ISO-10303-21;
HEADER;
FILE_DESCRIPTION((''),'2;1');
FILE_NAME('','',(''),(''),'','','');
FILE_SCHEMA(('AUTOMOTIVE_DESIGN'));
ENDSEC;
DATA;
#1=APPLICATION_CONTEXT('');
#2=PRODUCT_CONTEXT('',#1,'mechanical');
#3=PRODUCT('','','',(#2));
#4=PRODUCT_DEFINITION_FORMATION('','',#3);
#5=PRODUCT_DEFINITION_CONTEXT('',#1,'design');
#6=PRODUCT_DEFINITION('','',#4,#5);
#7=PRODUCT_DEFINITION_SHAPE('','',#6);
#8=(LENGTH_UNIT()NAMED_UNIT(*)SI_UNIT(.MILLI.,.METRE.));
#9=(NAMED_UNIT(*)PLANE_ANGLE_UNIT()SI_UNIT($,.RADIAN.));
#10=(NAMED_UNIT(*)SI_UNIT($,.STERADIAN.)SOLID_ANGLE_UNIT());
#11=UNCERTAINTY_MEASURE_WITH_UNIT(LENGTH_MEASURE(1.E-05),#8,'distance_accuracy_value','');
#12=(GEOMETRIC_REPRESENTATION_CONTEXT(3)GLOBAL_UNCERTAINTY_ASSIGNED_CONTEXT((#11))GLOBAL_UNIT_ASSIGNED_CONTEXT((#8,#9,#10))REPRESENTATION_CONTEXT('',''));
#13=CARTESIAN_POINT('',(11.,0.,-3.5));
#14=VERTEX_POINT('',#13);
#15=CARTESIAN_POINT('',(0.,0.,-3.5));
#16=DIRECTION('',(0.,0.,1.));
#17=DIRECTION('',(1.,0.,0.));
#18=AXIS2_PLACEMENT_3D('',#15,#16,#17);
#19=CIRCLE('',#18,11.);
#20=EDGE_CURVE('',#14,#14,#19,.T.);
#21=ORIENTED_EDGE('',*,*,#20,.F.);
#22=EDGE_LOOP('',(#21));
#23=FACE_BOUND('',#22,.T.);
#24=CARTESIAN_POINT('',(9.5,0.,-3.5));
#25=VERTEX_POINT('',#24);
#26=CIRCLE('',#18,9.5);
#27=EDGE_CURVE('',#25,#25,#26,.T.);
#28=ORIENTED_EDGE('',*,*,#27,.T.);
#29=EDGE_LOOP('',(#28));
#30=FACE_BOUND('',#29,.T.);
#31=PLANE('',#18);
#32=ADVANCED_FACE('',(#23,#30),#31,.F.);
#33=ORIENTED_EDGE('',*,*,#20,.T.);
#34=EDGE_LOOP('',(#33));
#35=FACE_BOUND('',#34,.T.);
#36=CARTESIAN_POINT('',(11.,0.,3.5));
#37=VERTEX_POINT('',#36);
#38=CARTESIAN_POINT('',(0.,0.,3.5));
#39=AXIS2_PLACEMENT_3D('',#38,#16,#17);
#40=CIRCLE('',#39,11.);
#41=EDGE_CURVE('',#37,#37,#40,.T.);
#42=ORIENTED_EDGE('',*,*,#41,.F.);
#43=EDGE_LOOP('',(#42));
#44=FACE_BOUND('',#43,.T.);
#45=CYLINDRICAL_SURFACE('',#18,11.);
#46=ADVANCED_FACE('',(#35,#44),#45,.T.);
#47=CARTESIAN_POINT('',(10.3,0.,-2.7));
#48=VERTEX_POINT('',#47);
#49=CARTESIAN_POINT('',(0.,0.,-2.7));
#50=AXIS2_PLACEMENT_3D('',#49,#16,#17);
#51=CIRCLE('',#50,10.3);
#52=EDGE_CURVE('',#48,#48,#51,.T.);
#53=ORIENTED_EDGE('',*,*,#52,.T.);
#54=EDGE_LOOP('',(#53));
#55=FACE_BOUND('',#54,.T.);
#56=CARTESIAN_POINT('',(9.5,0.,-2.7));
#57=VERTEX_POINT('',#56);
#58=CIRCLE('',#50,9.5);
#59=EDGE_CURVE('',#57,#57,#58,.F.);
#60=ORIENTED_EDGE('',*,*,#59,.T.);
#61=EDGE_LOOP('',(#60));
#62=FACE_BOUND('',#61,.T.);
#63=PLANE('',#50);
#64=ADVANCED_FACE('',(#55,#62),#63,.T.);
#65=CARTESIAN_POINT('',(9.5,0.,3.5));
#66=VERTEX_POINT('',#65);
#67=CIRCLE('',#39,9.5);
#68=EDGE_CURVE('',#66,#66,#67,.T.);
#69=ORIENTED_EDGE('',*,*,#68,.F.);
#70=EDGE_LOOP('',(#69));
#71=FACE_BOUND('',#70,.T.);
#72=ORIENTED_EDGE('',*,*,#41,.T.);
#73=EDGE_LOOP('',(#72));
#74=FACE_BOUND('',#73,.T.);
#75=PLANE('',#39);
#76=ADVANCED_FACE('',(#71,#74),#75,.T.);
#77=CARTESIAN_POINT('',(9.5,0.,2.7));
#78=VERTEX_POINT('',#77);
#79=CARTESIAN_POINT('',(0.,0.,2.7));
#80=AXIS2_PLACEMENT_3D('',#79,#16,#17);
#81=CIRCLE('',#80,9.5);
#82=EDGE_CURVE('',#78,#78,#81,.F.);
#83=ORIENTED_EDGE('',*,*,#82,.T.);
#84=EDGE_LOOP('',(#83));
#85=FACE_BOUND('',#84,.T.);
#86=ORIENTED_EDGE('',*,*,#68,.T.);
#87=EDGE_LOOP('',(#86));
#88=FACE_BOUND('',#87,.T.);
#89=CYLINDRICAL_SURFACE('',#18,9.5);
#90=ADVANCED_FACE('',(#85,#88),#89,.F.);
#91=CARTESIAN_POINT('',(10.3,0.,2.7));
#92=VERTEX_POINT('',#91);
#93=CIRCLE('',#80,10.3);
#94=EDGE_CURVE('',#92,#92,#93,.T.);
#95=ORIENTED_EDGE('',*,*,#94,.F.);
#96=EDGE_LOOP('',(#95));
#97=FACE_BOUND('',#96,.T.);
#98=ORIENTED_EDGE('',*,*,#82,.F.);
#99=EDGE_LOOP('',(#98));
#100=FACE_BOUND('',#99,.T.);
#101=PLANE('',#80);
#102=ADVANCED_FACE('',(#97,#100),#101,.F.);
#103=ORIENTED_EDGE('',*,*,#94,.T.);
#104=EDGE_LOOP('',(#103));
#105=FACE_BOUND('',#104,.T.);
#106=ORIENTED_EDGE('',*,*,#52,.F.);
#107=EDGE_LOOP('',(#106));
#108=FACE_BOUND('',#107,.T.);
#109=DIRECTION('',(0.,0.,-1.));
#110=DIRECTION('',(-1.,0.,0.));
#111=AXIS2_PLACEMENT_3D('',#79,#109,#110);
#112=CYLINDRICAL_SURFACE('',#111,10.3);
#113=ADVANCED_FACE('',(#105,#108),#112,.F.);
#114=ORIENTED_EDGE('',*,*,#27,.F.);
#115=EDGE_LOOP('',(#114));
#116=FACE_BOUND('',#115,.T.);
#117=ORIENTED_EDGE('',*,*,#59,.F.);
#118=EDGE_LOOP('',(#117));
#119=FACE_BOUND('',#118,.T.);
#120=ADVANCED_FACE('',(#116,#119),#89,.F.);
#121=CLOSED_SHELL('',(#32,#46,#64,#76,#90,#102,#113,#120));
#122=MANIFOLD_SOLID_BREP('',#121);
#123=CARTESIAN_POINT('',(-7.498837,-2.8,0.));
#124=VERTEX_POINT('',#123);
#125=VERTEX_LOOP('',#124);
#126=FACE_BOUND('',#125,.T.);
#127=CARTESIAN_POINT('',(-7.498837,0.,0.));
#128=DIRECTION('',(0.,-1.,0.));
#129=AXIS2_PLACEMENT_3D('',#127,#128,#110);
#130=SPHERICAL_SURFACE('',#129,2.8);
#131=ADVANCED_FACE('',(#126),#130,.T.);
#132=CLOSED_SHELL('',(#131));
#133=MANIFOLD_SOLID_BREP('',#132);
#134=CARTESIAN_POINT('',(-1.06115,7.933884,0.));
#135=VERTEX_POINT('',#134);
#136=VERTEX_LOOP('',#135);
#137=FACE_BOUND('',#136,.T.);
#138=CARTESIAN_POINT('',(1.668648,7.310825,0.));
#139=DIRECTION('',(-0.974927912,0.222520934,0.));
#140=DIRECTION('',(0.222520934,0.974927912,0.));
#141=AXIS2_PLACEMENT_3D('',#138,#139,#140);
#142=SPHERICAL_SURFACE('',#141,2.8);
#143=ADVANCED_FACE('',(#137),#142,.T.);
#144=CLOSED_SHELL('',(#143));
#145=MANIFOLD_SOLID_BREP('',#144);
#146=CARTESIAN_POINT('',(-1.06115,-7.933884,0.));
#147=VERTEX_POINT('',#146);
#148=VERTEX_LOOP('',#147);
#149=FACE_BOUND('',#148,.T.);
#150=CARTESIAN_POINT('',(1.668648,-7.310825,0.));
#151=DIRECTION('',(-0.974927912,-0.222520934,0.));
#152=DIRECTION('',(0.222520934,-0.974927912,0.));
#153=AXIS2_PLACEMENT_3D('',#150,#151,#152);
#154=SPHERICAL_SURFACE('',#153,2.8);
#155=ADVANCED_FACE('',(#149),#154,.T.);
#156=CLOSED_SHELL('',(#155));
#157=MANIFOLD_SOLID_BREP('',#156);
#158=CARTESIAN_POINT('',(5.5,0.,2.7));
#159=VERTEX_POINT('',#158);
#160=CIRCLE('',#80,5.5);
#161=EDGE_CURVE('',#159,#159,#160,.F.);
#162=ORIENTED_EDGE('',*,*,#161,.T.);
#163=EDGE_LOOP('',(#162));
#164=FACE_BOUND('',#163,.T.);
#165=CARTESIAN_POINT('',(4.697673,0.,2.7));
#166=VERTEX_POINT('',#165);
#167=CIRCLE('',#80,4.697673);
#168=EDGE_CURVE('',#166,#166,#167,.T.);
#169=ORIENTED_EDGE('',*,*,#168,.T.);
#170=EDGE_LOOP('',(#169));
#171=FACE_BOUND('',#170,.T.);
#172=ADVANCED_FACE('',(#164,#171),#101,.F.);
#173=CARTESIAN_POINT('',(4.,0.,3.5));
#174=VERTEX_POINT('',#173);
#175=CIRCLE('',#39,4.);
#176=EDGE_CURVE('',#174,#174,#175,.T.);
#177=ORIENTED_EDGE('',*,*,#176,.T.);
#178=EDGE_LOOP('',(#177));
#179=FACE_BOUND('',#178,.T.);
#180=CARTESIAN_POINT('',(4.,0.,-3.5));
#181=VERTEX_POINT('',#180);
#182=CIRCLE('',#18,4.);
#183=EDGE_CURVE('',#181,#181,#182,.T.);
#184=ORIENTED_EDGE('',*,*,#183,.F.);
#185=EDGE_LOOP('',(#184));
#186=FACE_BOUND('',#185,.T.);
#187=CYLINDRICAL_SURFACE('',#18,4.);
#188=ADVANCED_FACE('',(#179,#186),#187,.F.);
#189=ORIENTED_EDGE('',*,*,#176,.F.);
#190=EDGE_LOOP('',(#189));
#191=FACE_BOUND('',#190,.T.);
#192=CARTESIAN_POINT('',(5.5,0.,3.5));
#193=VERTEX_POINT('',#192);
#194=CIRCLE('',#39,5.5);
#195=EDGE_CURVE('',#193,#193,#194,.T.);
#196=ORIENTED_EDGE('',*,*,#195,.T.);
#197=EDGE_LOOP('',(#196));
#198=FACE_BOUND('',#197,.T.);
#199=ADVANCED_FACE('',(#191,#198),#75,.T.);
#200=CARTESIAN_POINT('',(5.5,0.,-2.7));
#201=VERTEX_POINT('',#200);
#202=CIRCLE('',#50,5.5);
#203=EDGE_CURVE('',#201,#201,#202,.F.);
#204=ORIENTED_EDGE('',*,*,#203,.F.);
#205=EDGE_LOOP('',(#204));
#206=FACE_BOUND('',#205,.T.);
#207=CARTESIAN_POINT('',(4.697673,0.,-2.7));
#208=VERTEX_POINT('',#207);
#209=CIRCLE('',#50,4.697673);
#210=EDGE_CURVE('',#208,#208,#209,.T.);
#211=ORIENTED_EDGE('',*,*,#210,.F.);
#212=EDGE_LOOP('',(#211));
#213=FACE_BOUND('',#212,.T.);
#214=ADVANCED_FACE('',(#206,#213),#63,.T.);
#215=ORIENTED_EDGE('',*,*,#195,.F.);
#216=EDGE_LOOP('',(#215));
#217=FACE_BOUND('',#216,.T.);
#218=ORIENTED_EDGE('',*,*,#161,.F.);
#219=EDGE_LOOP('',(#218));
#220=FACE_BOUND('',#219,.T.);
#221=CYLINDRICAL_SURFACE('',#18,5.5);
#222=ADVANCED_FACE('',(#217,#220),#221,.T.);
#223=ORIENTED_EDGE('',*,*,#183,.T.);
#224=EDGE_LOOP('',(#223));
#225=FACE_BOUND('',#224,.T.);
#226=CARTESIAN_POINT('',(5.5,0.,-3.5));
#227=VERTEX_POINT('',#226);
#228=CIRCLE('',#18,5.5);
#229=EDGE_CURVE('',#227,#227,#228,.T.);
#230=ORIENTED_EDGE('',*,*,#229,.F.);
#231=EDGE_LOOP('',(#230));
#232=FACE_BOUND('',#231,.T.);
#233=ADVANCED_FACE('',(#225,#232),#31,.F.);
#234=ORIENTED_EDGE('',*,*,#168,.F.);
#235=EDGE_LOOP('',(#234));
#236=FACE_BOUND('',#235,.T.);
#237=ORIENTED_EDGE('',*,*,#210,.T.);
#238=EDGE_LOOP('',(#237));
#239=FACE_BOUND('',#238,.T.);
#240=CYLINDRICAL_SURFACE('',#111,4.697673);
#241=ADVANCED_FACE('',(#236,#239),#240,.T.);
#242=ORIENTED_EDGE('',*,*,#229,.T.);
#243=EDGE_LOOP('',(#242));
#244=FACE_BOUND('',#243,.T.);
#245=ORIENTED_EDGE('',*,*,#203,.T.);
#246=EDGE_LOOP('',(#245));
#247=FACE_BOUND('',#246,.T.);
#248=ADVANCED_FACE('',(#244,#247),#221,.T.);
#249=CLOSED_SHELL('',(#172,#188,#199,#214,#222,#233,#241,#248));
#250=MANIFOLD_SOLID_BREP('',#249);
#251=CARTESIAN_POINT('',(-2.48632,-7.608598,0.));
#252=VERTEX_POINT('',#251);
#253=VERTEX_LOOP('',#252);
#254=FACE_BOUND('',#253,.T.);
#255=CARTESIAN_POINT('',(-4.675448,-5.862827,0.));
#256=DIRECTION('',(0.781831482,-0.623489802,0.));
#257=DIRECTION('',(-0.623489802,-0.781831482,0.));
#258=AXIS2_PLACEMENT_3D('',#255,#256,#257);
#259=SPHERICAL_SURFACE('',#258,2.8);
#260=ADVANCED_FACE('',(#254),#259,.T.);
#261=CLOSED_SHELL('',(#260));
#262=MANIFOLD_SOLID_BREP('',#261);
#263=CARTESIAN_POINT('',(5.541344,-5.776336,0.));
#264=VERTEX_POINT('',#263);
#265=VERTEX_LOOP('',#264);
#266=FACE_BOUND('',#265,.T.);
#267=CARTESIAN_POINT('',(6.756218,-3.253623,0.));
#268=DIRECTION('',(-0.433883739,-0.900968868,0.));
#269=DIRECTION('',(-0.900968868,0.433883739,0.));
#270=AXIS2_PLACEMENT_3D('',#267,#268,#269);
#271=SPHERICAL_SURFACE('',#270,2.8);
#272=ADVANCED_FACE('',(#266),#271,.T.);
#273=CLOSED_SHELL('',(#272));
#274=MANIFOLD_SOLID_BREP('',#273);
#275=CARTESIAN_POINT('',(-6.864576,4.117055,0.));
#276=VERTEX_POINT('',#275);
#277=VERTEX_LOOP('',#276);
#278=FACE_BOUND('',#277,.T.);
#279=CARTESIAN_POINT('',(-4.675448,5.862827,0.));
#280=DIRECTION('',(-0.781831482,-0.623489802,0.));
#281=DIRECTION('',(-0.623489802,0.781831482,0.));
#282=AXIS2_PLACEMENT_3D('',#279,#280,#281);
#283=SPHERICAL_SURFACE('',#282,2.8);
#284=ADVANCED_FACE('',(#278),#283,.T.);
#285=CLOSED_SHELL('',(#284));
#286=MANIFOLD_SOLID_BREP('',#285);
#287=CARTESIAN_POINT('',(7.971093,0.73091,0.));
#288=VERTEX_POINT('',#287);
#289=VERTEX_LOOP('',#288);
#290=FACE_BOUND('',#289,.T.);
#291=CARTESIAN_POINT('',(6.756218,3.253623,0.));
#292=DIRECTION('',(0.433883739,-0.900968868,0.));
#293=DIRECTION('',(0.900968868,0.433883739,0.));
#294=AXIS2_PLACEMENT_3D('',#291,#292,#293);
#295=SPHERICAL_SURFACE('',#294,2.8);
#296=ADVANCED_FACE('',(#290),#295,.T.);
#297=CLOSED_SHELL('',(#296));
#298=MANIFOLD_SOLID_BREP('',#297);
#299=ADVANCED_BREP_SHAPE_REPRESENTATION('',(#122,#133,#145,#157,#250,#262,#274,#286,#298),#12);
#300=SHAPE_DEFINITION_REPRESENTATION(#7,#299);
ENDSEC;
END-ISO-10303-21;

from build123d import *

# Parameters (mm, degrees)
BOSS_EXTRUDE1_DEPTH        = 3.5
BOSS_EXTRUDE1_DEPTH_BACK   = 3.5
SKETCH1_R                  = 5.5
SKETCH1_R_2                = 4
BOSS_EXTRUDE1_2_DEPTH      = 3.5
BOSS_EXTRUDE1_2_DEPTH_BACK = 3.5
SKETCH1_R_3                = 11
SKETCH1_R_4                = 9.5
CUT_EXTRUDE1_DEPTH         = 2.7
CUT_EXTRUDE1_DEPTH_BACK    = 2.7
SKETCH2_R                  = 10.3
SKETCH2_R_2                = 4.697673259


with BuildPart() as part:
    # Sketch1 → Boss-Extrude1 (new, two sides: drawn at the far end of the back side and taken through both)
    with BuildSketch(Plane.XY.offset(-BOSS_EXTRUDE1_DEPTH_BACK)):
        Circle(SKETCH1_R)
        Circle(SKETCH1_R_2, mode=Mode.SUBTRACT)
    extrude(amount=BOSS_EXTRUDE1_DEPTH + BOSS_EXTRUDE1_DEPTH_BACK)


with BuildPart() as body_2:
    # Sketch1 → Boss-Extrude1 2 (new, two sides: drawn at the far end of the back side and taken through both)
    with BuildSketch(Plane.XY.offset(-BOSS_EXTRUDE1_2_DEPTH_BACK)):
        Circle(SKETCH1_R_3)
        Circle(SKETCH1_R_4, mode=Mode.SUBTRACT)
    extrude(amount=BOSS_EXTRUDE1_2_DEPTH + BOSS_EXTRUDE1_2_DEPTH_BACK)


with BuildPart() as cut_extrude1_tool:
    # Sketch2 → Cut-Extrude1 (new, two sides: drawn at the far end of the back side and taken through both)
    with BuildSketch(Plane.XY.offset(-CUT_EXTRUDE1_DEPTH_BACK)):
        Circle(SKETCH2_R)
        Circle(SKETCH2_R_2, mode=Mode.SUBTRACT)
    extrude(amount=CUT_EXTRUDE1_DEPTH + CUT_EXTRUDE1_DEPTH_BACK)


with BuildPart() as part_1:
    add(part.part)

    # Cut-Extrude1: cut by cut_extrude1_tool
    add(cut_extrude1_tool.part, mode=Mode.SUBTRACT)


with BuildPart() as body_2_1:
    add(body_2.part)

    # Cut-Extrude1: cut by cut_extrude1_tool
    add(cut_extrude1_tool.part, mode=Mode.SUBTRACT)


with BuildPart() as body_3:
    # Sketch4 → Revolve2 (revolve)
    with BuildSketch(Plane.XY):
        with BuildLine():
            ThreePointArc((-7.498836629, -2.8), (-4.698836629, 0), (-7.498836629, 2.8))
            Line((-7.498836629, 2.8), (-7.498836629, -2.8))
        make_face()
    revolve(axis=Axis((-7.498836629, 0, 0), (0, 1, 0)))


with BuildPart() as body_4:
    # Sketch4<7> → Revolve3 (revolve)
    with BuildSketch(Plane.XY):
        with BuildLine():
            Line((-2.486320013, 7.608598004), (-4.675448164, 5.862826559))
            Line((-4.675448164, 5.862826559), (-6.864576315, 4.117055113))
            ThreePointArc((-6.864576315, 4.117055113), (-2.929676719, 3.673698408), (-2.486320013, 7.608598004))
        make_face()
    revolve(axis=Axis((-4.675448164, 5.862826559, 0), (0.7818314824680305, 0.6234898018587328, 0)))


with BuildPart() as body_5:
    # Sketch4<8> → Revolve4 (revolve)
    with BuildSketch(Plane.XY):
        with BuildLine():
            Line((4.398446284, 6.687766524), (1.66864813, 7.310825139))
            Line((1.66864813, 7.310825139), (-1.061150024, 7.933883754))
            ThreePointArc((-1.061150024, 7.933883754), (1.045589515, 4.581026985), (4.398446284, 6.687766524))
        make_face()
    revolve(axis=Axis((1.66864813, 7.310825139, 0), (0.974927912181823, -0.22252093395631764, 0)))


with BuildPart() as body_6:
    # Sketch4<9> → Revolve5 (revolve)
    with BuildSketch(Plane.XY):
        with BuildLine():
            Line((7.971092818, 0.730910446), (6.756218348, 3.253623276))
            Line((6.756218348, 3.253623276), (5.541343879, 5.776336106))
            ThreePointArc((5.541343879, 5.776336106), (4.233505518, 2.038748806), (7.971092818, 0.730910446))
        make_face()
    revolve(axis=Axis((6.756218348, 3.253623276, 0), (-0.4338837391175522, 0.900968867902422, 0)))


with BuildPart() as body_7:
    # Sketch4<10> → Revolve6 (revolve)
    with BuildSketch(Plane.XY):
        with BuildLine():
            Line((5.541343879, -5.776336106), (6.756218348, -3.253623276))
            Line((6.756218348, -3.253623276), (7.971092818, -0.730910446))
            ThreePointArc((7.971092818, -0.730910446), (4.233505518, -2.038748806), (5.541343879, -5.776336106))
        make_face()
    revolve(axis=Axis((6.756218348, -3.253623276, 0), (0.43388373911756595, 0.9009688679024154, 0)))


with BuildPart() as body_8:
    # Sketch4<11> → Revolve7 (revolve)
    with BuildSketch(Plane.XY):
        with BuildLine():
            Line((-1.061150024, -7.933883754), (1.66864813, -7.310825139))
            Line((1.66864813, -7.310825139), (4.398446284, -6.687766524))
            ThreePointArc((4.398446284, -6.687766524), (1.045589515, -4.581026985), (-1.061150024, -7.933883754))
        make_face()
    revolve(axis=Axis((1.66864813, -7.310825139, 0), (0.974927912181826, 0.2225209339563043, 0)))


with BuildPart() as body_9:
    # Sketch4<12> → Revolve8 (revolve)
    with BuildSketch(Plane.XY):
        with BuildLine():
            Line((-6.864576315, -4.117055113), (-4.675448164, -5.862826559))
            Line((-4.675448164, -5.862826559), (-2.486320013, -7.608598004))
            ThreePointArc((-2.486320013, -7.608598004), (-2.929676719, -3.673698408), (-6.864576315, -4.117055113))
        make_face()
    revolve(axis=Axis((-4.675448164, -5.862826559, 0), (-0.7818314824680226, 0.6234898018587426, 0)))


solid = Compound([part_1.part, body_2_1.part, body_3.part, body_4.part, body_5.part, body_6.part, body_7.part, body_8.part, body_9.part])
